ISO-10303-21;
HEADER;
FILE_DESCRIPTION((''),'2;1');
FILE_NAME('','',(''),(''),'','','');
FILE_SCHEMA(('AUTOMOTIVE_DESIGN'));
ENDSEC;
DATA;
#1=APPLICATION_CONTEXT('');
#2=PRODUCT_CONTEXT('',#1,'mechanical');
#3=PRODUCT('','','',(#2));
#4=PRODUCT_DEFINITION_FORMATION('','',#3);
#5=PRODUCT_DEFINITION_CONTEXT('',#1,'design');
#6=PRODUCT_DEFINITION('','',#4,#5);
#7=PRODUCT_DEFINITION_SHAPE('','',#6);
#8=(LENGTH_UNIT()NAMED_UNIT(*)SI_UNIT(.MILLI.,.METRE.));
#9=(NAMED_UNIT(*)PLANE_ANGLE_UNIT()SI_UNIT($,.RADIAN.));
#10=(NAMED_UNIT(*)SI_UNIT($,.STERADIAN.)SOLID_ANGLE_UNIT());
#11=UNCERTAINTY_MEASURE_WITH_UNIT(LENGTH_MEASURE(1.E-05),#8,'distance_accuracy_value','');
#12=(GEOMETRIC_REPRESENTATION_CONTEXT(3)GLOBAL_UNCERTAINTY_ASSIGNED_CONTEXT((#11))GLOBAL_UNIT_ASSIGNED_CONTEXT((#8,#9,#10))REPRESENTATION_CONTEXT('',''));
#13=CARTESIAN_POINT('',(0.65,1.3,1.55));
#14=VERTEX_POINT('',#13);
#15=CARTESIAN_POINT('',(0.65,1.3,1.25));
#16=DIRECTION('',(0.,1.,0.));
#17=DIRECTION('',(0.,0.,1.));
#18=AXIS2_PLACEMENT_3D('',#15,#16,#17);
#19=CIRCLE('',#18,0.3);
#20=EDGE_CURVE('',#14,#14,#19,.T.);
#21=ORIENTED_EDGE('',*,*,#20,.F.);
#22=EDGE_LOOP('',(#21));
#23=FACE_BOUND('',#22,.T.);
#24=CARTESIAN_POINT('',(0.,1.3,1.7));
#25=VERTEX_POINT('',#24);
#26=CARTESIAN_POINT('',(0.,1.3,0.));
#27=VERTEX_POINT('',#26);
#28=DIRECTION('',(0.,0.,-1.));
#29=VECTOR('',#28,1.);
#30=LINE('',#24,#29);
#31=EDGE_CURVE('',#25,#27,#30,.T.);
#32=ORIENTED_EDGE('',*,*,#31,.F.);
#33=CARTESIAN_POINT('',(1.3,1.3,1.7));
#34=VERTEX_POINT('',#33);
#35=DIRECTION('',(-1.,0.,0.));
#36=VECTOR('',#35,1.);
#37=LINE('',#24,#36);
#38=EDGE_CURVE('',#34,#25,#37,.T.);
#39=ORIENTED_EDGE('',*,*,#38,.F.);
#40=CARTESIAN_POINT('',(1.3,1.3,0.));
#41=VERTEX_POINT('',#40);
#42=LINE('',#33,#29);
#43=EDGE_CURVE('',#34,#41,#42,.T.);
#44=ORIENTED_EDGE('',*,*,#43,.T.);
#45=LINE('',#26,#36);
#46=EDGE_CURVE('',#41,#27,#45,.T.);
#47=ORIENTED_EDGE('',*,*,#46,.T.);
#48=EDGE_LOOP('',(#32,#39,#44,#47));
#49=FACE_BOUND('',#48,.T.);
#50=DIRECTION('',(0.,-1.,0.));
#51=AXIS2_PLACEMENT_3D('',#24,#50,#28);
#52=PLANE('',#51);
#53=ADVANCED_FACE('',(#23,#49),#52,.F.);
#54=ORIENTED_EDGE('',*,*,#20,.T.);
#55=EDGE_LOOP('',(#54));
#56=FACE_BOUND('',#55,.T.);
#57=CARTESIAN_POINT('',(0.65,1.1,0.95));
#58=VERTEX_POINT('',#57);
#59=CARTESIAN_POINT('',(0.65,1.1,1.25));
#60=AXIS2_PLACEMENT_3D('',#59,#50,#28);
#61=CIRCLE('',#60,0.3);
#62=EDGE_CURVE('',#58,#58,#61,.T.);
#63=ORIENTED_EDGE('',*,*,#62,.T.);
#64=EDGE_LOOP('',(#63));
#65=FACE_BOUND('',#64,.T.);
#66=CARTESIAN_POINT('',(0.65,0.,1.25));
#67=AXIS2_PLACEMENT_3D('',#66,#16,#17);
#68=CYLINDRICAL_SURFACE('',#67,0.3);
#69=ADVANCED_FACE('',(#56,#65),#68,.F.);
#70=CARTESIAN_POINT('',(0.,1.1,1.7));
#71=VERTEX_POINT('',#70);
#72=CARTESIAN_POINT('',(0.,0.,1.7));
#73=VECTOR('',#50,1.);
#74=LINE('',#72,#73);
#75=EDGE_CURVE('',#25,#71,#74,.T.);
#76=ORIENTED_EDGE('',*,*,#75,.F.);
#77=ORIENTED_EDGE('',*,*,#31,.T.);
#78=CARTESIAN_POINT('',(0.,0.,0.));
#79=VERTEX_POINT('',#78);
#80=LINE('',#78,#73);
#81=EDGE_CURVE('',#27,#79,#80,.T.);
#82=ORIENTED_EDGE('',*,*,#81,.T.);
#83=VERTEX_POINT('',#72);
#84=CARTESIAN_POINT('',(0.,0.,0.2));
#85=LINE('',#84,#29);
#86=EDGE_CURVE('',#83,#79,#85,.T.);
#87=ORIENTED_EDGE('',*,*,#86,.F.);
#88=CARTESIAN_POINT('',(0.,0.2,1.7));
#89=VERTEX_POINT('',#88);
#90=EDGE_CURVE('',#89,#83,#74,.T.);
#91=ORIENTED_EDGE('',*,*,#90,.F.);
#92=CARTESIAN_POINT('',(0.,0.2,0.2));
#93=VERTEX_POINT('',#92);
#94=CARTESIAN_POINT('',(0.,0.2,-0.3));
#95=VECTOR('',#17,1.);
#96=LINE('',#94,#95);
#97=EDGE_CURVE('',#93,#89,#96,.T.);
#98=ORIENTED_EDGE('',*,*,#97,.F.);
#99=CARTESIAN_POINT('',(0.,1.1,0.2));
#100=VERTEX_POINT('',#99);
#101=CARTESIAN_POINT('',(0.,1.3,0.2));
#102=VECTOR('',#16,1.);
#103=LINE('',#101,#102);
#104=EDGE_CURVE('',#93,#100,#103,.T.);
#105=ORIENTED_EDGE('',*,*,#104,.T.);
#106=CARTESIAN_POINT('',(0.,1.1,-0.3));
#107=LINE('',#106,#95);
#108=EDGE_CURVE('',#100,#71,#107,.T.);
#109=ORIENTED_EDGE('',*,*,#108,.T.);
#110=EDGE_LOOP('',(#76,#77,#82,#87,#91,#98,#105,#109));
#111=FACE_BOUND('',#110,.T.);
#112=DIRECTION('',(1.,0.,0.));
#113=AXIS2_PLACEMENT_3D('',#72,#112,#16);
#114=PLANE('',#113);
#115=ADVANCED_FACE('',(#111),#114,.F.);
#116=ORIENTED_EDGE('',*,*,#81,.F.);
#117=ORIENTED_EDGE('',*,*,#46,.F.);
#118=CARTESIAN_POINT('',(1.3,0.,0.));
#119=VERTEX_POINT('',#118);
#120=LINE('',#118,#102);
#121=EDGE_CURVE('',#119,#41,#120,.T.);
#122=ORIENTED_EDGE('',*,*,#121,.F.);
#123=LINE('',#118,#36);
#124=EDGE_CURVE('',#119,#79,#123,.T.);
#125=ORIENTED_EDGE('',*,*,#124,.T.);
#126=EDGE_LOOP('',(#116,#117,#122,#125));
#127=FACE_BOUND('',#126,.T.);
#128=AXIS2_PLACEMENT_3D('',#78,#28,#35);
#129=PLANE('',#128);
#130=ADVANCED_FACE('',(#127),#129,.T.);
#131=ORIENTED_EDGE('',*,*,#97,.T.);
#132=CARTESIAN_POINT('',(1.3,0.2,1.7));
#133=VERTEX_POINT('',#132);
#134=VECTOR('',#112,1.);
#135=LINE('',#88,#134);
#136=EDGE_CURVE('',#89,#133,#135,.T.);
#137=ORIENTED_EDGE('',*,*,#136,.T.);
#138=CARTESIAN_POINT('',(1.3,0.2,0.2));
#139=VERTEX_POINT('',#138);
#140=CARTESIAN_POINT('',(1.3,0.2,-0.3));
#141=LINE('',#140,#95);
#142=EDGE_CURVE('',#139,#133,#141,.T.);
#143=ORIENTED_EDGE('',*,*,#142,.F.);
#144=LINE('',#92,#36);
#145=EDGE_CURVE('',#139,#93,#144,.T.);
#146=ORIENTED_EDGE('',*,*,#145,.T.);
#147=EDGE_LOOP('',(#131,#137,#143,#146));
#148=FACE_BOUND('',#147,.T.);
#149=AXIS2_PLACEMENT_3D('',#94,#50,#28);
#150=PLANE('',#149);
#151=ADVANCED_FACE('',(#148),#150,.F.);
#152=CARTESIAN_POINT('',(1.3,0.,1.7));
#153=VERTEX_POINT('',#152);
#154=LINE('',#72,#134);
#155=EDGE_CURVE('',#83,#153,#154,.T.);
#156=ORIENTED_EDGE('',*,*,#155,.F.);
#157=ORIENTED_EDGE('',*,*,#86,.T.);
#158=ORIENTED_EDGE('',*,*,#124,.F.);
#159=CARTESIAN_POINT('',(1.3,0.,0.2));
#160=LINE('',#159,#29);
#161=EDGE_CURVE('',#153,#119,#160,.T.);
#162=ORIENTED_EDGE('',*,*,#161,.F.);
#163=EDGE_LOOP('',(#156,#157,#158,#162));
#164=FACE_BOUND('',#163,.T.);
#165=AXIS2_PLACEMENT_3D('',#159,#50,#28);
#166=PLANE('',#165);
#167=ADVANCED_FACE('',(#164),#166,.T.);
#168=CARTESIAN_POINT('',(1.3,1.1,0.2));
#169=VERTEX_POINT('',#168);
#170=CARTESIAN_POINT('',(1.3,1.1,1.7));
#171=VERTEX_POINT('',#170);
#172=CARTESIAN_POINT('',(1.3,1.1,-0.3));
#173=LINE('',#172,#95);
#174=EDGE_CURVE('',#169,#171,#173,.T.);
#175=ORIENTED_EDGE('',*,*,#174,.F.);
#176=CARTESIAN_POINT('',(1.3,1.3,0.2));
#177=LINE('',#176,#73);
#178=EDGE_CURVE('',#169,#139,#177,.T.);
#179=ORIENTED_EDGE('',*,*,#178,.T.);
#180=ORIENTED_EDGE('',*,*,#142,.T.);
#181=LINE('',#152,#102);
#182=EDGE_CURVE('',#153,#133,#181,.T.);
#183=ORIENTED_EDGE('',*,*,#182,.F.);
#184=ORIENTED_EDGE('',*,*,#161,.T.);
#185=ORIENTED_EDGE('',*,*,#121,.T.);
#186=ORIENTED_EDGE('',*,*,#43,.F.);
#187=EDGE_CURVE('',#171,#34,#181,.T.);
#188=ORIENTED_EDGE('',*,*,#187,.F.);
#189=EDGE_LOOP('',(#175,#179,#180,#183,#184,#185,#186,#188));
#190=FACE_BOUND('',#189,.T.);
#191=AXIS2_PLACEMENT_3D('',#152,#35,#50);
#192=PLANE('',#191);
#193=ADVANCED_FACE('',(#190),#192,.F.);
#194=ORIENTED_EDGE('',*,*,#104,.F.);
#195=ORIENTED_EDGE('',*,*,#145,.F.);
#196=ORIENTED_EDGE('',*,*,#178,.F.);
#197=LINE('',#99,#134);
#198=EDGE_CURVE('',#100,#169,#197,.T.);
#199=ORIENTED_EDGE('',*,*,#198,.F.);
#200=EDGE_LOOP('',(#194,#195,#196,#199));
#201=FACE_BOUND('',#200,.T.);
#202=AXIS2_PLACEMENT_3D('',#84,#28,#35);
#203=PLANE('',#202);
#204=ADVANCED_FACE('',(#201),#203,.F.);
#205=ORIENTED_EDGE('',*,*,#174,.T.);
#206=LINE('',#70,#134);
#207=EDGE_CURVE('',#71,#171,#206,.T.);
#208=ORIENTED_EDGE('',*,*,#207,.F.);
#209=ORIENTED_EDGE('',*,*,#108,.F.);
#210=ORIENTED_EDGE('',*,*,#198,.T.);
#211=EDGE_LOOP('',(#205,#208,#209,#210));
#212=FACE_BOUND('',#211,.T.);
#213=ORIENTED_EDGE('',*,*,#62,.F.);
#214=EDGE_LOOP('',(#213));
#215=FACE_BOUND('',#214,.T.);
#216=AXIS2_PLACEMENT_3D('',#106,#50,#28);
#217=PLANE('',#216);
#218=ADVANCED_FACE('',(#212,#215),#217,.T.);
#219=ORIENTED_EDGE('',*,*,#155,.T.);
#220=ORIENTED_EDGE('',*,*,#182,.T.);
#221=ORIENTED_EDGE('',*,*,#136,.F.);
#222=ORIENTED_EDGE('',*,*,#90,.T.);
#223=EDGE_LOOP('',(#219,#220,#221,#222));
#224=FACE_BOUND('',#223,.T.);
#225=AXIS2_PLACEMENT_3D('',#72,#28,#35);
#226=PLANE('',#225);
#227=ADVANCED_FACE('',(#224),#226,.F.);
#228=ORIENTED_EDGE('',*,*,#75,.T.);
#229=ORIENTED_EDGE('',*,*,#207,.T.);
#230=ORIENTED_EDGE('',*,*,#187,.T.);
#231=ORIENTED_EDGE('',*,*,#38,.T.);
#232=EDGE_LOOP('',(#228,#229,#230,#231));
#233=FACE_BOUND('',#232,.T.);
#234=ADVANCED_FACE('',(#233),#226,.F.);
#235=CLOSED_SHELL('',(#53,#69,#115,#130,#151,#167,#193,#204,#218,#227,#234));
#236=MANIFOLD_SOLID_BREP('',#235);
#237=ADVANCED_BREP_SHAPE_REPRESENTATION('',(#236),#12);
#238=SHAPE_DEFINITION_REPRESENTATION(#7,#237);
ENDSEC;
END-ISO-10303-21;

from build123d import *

# Parameters (mm, degrees)
SKETCH2_W           = 1.3
SKETCH2_H           = 1.3
BOSS_EXTRUDE2_DEPTH = 1.7
SKETCH10_W          = 1.3
SKETCH10_H          = 0.9
CUT_EXTRUDE4_DEPTH  = 2
SKETCH12_R          = 0.3
CUT_EXTRUDE5_DEPTH  = 1.3
SKETCH14_W          = 1.3
SKETCH14_H          = 1.3
BOSS_EXTRUDE3_DEPTH = 0.2


with BuildPart() as part:
    # Sketch2 → Boss-Extrude2 (new body)
    with BuildSketch(Plane.XY):
        with Locations((0.65, 0.65)):
            Rectangle(SKETCH2_W, SKETCH2_H)
    extrude(amount=BOSS_EXTRUDE2_DEPTH)

    # Sketch10 → Cut-Extrude4 (cut)
    with BuildSketch(Plane.XY.offset(1.7)):
        with Locations((0.65, 0.65)):
            Rectangle(SKETCH10_W, SKETCH10_H)
    extrude(amount=-CUT_EXTRUDE4_DEPTH, mode=Mode.SUBTRACT)


with BuildPart() as cut_extrude4_piece_1:
    # of the separate pieces the step leaves, piece 1, a body of its own (cut_extrude4_pieces)
    add(part.part.solids().sort_by_distance((0, 1.3, 0))[0])

    # Sketch12 → Cut-Extrude5 (cut)
    with BuildSketch(Plane(origin=(0, 1.3, 0), x_dir=(1, 0, 0), z_dir=(0, 1, 0))):
        with Locations(Location((0.65, -1.25, 0), (0, 0, 270))):
            Circle(SKETCH12_R)
    extrude(amount=-CUT_EXTRUDE5_DEPTH, mode=Mode.SUBTRACT)



with BuildPart() as cut_extrude4_piece_2:
    # of the separate pieces the step leaves, piece 2, a body of its own (cut_extrude4_pieces)
    add(part.part.solids().sort_by_distance((0, 0, 0))[0])


with BuildPart() as cut_extrude4_piece_1_1:
    add(cut_extrude4_piece_1.part)

    add(cut_extrude4_piece_2.part)  # Boss-Extrude3 merges Cut-Extrude4 piece 2
    # Sketch14 → Boss-Extrude3 (add)
    with BuildSketch(Plane(origin=(0, 0, 0), x_dir=(-1, 0, 0), z_dir=(0, 0, -1))):
        with Locations((-0.65, 0.65)):
            Rectangle(SKETCH14_W, SKETCH14_H)
    extrude(amount=-BOSS_EXTRUDE3_DEPTH)


solid = cut_extrude4_piece_1_1.part
